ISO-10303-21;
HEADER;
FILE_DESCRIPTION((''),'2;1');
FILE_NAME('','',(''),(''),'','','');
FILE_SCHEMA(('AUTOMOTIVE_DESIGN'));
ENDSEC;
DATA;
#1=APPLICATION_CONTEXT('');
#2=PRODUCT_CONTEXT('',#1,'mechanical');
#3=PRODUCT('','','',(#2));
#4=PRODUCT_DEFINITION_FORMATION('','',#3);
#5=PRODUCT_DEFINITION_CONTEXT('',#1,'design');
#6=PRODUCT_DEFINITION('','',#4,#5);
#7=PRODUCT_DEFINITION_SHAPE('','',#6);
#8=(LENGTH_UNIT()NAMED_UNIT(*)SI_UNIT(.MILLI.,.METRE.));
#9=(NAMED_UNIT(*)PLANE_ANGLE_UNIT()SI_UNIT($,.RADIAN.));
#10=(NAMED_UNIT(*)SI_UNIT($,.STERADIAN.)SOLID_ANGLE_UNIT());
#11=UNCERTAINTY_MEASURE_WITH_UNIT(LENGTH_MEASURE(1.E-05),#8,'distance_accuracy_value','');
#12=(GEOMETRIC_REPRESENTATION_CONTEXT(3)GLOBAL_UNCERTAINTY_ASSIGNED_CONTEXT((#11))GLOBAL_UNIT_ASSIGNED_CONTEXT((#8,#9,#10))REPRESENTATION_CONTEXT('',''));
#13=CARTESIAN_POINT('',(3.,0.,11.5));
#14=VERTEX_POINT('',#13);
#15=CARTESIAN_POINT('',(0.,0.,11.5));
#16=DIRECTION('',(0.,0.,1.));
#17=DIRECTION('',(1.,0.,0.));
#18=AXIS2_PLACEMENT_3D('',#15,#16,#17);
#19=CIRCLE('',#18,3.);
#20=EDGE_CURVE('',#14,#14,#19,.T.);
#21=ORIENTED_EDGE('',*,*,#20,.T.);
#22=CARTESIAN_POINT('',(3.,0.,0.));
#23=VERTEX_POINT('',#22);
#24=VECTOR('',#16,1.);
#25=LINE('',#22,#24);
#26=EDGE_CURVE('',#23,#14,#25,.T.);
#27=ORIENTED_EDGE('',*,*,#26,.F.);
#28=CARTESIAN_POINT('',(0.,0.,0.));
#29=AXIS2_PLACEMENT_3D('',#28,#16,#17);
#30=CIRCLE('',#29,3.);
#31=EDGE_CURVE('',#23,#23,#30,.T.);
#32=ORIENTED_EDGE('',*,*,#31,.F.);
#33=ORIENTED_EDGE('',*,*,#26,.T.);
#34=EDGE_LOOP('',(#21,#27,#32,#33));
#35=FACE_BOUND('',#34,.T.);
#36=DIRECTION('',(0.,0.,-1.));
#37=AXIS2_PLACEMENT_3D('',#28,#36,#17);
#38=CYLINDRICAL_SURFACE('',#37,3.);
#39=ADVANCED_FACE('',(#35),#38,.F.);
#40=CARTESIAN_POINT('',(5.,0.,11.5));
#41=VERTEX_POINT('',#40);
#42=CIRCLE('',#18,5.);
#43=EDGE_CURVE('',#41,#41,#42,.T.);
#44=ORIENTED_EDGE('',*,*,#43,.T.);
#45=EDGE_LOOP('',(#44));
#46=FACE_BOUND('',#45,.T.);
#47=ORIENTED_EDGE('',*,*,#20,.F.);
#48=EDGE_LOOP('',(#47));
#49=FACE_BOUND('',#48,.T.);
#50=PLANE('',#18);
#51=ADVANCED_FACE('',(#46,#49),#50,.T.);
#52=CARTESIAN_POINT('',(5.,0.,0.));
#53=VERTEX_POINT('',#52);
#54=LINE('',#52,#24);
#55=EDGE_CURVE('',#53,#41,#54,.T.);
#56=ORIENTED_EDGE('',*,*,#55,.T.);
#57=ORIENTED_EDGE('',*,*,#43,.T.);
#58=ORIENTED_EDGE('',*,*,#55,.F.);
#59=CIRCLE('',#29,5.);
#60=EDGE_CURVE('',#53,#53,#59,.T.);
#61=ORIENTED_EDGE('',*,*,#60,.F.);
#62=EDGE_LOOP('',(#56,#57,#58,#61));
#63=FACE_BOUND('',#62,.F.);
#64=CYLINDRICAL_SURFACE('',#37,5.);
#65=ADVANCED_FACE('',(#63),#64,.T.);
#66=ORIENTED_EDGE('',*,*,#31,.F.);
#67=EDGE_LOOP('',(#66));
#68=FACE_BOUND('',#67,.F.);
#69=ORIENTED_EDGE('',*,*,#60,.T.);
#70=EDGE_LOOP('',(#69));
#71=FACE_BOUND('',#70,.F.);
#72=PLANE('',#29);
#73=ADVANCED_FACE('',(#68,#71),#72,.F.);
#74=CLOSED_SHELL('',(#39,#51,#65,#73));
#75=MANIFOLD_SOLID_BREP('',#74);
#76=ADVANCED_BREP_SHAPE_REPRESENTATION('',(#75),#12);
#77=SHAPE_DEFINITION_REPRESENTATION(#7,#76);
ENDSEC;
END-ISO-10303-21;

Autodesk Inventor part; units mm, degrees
ref_plane "YZ Plane" through (0, 0, 0) normal (1, 0, 0) x (0, 1, 0)
ref_plane "XZ Plane" through (0, 0, 0) normal (0, 1, 0) x (-1, 0, 0)
ref_plane "XY Plane" through (0, 0, 0) normal (0, 0, 1) x (1, 0, 0)
sketch "Szkic1" plane through (0, 0, 0) normal (0, 0, 1) x (1, 0, 0)
  circle A0 centre (0, 0) radius 3
  circle A1 centre (0, 0) radius 5
  dimension "d0" = 6
  dimension "d1" = 10
extrude "Wyciągnięcie proste1" add sketch "Szkic1" along normal blind 11.5
properties part number "tuleja_M6_M10_11,5"
